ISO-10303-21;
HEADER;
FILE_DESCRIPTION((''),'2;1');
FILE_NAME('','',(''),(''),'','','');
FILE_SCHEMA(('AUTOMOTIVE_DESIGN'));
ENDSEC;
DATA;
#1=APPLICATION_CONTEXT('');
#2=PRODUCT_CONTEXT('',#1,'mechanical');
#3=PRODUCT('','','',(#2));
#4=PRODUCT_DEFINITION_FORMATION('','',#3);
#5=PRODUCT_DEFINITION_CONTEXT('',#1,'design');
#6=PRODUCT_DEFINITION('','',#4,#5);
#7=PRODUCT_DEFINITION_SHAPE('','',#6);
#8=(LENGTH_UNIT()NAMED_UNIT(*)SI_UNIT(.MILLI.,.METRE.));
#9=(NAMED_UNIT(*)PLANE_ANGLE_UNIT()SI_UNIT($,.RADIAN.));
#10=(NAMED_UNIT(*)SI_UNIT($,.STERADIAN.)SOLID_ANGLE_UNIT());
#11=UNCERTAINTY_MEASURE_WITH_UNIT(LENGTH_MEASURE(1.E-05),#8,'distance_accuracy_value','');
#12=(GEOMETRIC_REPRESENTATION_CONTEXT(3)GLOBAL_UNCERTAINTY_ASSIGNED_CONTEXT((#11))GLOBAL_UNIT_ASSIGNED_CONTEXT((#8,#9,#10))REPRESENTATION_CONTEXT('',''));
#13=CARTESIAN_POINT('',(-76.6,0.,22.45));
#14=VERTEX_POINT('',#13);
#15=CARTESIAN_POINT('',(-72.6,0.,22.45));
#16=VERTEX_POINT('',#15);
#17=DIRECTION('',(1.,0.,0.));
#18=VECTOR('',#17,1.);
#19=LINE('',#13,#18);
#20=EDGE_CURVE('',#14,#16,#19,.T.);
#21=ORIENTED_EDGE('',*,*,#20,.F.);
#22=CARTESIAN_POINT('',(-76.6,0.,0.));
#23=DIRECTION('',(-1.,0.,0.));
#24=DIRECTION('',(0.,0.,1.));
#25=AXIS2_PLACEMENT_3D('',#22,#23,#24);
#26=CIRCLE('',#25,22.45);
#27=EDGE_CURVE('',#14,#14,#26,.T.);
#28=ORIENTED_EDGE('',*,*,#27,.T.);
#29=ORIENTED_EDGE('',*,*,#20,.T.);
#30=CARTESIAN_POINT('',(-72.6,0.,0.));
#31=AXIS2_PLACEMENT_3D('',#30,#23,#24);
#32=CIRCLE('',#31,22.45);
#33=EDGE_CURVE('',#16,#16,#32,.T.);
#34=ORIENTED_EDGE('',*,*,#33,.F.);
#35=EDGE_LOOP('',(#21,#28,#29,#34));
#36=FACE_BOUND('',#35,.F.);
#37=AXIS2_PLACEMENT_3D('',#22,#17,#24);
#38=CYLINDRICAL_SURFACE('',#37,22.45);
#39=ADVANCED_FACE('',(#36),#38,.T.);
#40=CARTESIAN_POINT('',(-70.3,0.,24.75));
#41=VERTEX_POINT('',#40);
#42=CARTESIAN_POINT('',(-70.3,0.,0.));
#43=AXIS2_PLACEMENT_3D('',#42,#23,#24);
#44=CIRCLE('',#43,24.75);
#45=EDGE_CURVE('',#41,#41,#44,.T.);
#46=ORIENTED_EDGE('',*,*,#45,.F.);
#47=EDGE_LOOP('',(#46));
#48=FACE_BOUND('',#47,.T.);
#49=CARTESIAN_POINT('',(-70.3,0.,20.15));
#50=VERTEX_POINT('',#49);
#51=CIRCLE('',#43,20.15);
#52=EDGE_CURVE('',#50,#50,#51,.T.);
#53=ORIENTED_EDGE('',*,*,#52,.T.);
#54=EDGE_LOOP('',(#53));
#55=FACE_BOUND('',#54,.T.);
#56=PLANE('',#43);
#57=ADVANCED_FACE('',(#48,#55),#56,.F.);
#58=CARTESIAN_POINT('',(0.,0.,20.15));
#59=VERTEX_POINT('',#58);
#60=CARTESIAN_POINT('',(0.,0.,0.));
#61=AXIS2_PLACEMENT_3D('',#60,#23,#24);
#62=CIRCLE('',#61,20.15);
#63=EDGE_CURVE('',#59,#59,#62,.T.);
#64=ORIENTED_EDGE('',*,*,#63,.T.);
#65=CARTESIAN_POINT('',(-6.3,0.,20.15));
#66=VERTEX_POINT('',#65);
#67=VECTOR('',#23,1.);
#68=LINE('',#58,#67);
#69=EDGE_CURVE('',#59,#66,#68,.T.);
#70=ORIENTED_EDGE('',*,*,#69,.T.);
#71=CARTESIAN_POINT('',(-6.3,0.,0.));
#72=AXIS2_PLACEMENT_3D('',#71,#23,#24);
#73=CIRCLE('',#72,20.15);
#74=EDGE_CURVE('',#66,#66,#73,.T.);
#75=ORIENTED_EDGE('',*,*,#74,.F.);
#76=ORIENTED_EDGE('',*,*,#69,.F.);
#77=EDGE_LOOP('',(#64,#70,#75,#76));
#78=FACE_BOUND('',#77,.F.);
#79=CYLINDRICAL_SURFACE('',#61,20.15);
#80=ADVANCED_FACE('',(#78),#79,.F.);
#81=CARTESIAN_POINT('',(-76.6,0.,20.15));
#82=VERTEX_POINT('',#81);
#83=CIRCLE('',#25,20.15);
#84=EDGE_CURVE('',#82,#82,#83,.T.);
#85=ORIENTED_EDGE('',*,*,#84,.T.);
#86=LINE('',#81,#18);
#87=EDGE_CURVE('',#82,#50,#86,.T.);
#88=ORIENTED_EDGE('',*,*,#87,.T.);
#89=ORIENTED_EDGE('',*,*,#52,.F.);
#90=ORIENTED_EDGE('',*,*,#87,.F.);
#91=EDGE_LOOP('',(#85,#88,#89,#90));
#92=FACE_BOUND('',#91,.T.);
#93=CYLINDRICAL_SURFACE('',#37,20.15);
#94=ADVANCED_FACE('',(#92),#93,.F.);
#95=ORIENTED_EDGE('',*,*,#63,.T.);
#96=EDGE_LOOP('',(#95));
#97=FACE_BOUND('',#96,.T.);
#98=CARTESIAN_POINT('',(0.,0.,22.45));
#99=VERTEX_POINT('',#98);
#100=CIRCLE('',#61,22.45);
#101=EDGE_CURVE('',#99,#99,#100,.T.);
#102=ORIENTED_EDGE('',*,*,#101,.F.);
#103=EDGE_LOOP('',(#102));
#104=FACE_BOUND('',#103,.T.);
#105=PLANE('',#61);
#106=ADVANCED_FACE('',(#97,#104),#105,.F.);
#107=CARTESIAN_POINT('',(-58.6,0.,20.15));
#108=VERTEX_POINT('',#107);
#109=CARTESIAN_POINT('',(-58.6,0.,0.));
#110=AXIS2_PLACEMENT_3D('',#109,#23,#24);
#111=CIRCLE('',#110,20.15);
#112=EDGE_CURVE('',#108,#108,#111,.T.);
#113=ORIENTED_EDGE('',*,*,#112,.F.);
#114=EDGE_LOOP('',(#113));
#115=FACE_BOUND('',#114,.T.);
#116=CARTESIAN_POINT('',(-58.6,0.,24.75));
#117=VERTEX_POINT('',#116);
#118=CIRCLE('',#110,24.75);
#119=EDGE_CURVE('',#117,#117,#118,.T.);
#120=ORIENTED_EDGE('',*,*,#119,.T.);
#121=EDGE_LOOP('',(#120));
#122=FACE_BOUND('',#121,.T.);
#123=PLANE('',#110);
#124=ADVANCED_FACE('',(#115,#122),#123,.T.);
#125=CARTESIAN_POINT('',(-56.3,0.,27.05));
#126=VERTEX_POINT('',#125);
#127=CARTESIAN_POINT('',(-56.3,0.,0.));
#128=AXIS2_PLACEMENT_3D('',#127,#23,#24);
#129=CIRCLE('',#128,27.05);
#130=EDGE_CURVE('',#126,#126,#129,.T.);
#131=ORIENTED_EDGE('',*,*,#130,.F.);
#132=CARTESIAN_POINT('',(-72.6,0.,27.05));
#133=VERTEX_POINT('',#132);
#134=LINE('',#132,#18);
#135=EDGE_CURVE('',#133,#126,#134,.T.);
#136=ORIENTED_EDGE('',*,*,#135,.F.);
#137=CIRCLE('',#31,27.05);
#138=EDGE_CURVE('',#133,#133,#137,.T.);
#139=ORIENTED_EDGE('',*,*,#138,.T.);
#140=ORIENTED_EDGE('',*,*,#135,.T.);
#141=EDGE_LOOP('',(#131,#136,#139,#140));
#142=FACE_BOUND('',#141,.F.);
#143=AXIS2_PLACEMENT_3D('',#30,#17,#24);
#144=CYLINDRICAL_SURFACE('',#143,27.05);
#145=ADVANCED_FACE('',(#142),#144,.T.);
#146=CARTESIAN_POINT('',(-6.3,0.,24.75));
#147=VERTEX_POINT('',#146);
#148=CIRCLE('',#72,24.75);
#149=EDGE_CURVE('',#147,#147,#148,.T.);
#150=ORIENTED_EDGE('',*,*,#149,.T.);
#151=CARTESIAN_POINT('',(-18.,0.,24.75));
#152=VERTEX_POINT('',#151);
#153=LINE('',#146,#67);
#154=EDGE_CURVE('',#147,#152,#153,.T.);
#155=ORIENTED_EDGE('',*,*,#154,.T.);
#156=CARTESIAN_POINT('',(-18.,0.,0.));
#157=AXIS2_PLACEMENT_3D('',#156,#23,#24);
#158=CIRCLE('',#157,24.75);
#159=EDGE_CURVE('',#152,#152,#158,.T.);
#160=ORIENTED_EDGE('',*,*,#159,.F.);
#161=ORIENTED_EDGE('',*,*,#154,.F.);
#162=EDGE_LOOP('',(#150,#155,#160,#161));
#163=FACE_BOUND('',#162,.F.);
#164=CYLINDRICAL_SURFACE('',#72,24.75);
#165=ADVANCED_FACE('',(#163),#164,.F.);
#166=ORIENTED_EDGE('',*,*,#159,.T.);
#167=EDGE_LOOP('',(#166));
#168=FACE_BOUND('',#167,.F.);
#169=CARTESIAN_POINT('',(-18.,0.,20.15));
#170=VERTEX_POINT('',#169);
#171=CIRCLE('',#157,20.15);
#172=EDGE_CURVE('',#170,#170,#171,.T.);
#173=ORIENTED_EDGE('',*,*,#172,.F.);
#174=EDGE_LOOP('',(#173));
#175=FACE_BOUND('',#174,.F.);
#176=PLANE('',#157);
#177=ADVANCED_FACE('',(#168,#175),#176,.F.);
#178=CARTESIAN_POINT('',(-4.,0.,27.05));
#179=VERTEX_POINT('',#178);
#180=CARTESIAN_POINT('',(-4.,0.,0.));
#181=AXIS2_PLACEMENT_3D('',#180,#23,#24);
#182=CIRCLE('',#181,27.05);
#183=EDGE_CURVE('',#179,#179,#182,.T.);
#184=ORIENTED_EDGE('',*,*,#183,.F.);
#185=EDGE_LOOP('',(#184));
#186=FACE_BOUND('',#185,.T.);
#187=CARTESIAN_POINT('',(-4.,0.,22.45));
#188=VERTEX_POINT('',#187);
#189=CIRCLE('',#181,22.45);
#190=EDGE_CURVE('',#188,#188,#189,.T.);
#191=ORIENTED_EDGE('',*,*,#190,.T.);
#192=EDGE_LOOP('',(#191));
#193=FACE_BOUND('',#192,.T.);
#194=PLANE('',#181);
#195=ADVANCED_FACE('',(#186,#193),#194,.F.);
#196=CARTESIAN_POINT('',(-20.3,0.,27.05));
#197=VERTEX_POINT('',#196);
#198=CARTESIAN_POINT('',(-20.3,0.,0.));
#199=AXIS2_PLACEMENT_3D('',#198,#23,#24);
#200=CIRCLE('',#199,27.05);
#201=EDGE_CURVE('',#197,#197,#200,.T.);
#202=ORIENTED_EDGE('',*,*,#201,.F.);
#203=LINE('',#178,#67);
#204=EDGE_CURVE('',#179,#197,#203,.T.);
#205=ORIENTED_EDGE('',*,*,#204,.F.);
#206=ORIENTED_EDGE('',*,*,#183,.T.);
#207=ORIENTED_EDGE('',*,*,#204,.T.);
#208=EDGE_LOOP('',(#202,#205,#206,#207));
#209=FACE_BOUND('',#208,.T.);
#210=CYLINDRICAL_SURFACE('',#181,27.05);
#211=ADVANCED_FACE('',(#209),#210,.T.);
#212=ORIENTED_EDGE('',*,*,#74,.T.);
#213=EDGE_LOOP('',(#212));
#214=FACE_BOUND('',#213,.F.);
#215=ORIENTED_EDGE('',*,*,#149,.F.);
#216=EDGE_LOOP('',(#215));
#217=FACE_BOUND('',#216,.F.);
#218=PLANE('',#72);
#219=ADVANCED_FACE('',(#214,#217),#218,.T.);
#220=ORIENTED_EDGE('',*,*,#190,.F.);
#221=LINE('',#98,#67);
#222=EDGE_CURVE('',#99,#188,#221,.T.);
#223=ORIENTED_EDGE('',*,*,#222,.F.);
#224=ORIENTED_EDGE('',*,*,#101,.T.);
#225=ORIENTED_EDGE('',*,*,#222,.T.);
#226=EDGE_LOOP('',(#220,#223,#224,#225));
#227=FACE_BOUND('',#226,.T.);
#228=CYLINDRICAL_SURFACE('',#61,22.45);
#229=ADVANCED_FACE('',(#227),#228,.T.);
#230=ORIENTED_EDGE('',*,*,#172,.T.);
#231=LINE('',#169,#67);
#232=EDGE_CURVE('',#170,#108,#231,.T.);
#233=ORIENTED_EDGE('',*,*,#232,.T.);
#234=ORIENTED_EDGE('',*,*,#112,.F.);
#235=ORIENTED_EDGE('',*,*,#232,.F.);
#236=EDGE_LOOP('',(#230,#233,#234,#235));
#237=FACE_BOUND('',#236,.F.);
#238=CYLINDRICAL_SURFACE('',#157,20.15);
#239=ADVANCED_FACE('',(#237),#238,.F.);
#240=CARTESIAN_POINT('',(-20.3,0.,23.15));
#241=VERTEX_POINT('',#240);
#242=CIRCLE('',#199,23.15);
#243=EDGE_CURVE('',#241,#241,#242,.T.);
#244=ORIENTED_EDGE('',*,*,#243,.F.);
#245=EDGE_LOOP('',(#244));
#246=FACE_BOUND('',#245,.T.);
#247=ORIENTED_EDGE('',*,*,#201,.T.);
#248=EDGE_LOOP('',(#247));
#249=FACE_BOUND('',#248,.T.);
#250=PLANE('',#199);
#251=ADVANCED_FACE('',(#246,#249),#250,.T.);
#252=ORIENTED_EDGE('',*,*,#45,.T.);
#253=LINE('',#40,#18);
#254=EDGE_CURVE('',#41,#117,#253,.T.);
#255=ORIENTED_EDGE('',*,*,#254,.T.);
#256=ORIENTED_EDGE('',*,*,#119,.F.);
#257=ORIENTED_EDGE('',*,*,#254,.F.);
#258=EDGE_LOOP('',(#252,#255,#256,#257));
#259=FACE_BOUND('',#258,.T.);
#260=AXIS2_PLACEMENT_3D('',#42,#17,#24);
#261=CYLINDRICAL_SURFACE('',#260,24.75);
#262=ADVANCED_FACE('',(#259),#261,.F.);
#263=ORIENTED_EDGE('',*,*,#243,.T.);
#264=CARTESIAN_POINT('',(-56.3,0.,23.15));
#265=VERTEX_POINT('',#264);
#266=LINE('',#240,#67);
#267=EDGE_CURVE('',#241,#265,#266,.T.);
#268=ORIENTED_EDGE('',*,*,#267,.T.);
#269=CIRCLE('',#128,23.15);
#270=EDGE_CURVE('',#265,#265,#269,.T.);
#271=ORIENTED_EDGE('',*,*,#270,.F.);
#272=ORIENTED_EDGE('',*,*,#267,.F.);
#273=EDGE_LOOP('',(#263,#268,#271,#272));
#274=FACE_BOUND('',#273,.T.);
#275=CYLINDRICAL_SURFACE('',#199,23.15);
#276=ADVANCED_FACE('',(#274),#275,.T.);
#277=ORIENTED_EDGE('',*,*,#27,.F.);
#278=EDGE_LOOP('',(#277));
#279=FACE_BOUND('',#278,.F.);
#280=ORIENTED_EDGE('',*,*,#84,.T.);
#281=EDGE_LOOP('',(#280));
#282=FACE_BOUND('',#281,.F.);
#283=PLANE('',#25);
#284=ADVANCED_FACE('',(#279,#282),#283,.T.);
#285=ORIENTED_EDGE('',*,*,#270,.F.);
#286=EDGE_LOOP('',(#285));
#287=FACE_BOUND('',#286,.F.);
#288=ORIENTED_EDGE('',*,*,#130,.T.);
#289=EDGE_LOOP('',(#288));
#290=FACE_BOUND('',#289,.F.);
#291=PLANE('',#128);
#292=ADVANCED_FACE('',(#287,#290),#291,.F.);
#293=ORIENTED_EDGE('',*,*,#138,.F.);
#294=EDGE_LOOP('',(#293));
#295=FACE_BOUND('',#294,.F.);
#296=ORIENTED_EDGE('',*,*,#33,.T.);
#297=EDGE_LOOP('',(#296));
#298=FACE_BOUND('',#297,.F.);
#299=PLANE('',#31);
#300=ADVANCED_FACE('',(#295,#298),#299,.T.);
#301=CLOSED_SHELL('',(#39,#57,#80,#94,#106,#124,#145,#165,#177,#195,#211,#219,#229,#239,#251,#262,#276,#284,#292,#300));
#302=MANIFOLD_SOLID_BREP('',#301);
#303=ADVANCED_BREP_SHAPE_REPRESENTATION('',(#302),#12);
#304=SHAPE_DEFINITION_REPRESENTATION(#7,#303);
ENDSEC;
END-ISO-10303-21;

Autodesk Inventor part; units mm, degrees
ref_plane "YZ Plane" through (0, 0, 0) normal (1, 0, 0) x (0, 1, 0)
ref_plane "XZ Plane" through (0, 0, 0) normal (0, 1, 0) x (-1, 0, 0)
ref_plane "XY Plane" through (0, 0, 0) normal (0, 0, 1) x (1, 0, 0)
sketch "Sketch1" plane through (0, 0, 0) normal (0, 1, 0) x (-1, 0, 0)
  line L0 (0, 20.15) -> (6.3, 20.15)
  line L1 (6.3, 20.15) -> (6.3, 24.75)
  line L2 (6.3, 24.75) -> (18, 24.75)
  line L3 (18, 24.75) -> (18, 20.15)
  line L4 (0, 0) -> (38.3, 0)
  line L5 (0, 20.15) -> (0, 0) construction
  line L6 (0, 20.15) -> (0, 22.45)
  line L7 (0, 22.45) -> (4, 22.45)
  line L8 (4, 22.45) -> (4, 27.05)
  line L9 (4, 27.05) -> (20.3, 27.05)
  line L10 (20.3, 27.05) -> (20.3, 23.15)
  line L11 (18, 20.15) -> (18, 0) construction
  line L12 (76.6, 20.15) -> (70.3, 20.15)
  line L13 (70.3, 20.15) -> (70.3, 24.75)
  line L14 (70.3, 24.75) -> (58.6, 24.75)
  line L15 (58.6, 24.75) -> (58.6, 20.15)
  line L16 (76.6, 0) -> (38.3, 0)
  line L17 (76.6, 20.15) -> (76.6, 0) construction
  line L18 (76.6, 20.15) -> (76.6, 22.45)
  line L19 (76.6, 22.45) -> (72.6, 22.45)
  line L20 (72.6, 22.45) -> (72.6, 27.05)
  line L21 (72.6, 27.05) -> (56.3, 27.05)
  line L22 (56.3, 27.05) -> (56.3, 23.15)
  line L23 (20.3, 23.15) -> (56.3, 23.15)
  line L24 (18, 20.15) -> (58.6, 20.15)
  line L25 (38.3, 0) -> (38.3, 20.15) construction
  dimension "d0" = 2.3
  dimension "d1" = 2.3
  dimension "d2" = 2.3
  dimension "d3" = 2.3
  dimension "d4" = 18
  dimension "d5" = 36
  dimension "d6" = 40.3
  dimension "d7" = 3
  dimension "d8" = 6.9
  dimension "d9" = 6.3
revolve "Revolution1" add sketch "Sketch1" angle 360 about axis through (0, 0, 0) along (-1, 0, 0)
equation "\"d0\" = e3"
equation "\"d1\" = e3"
equation "\"d2\" = e3"
equation "\"d3\" = e3"
equation "\"d4\" = C1"
equation "\"d5\" = 2 * A"
equation "\"d6\" = Ds"
equation "\"d7\" = e"
equation "\"d8\" = 3 * e3"
equation "\"d9\" = 0.35 * C1"
equation "\"e\" = 3"
equation "\"e2\" = 2.7"
equation "\"e3\" = 2.3"
equation "\"A\" = 18"
equation "\"C1\" = 18"
equation "\"Ds\" = 40.3"
equation "\"Size_Designation\" = 1.2345"
properties part number "ISO 3633 Муфта с раструбом только для соединений с эластомерными уплотнительными кольцами DN40" material "ПВХ, непластифицированный"
